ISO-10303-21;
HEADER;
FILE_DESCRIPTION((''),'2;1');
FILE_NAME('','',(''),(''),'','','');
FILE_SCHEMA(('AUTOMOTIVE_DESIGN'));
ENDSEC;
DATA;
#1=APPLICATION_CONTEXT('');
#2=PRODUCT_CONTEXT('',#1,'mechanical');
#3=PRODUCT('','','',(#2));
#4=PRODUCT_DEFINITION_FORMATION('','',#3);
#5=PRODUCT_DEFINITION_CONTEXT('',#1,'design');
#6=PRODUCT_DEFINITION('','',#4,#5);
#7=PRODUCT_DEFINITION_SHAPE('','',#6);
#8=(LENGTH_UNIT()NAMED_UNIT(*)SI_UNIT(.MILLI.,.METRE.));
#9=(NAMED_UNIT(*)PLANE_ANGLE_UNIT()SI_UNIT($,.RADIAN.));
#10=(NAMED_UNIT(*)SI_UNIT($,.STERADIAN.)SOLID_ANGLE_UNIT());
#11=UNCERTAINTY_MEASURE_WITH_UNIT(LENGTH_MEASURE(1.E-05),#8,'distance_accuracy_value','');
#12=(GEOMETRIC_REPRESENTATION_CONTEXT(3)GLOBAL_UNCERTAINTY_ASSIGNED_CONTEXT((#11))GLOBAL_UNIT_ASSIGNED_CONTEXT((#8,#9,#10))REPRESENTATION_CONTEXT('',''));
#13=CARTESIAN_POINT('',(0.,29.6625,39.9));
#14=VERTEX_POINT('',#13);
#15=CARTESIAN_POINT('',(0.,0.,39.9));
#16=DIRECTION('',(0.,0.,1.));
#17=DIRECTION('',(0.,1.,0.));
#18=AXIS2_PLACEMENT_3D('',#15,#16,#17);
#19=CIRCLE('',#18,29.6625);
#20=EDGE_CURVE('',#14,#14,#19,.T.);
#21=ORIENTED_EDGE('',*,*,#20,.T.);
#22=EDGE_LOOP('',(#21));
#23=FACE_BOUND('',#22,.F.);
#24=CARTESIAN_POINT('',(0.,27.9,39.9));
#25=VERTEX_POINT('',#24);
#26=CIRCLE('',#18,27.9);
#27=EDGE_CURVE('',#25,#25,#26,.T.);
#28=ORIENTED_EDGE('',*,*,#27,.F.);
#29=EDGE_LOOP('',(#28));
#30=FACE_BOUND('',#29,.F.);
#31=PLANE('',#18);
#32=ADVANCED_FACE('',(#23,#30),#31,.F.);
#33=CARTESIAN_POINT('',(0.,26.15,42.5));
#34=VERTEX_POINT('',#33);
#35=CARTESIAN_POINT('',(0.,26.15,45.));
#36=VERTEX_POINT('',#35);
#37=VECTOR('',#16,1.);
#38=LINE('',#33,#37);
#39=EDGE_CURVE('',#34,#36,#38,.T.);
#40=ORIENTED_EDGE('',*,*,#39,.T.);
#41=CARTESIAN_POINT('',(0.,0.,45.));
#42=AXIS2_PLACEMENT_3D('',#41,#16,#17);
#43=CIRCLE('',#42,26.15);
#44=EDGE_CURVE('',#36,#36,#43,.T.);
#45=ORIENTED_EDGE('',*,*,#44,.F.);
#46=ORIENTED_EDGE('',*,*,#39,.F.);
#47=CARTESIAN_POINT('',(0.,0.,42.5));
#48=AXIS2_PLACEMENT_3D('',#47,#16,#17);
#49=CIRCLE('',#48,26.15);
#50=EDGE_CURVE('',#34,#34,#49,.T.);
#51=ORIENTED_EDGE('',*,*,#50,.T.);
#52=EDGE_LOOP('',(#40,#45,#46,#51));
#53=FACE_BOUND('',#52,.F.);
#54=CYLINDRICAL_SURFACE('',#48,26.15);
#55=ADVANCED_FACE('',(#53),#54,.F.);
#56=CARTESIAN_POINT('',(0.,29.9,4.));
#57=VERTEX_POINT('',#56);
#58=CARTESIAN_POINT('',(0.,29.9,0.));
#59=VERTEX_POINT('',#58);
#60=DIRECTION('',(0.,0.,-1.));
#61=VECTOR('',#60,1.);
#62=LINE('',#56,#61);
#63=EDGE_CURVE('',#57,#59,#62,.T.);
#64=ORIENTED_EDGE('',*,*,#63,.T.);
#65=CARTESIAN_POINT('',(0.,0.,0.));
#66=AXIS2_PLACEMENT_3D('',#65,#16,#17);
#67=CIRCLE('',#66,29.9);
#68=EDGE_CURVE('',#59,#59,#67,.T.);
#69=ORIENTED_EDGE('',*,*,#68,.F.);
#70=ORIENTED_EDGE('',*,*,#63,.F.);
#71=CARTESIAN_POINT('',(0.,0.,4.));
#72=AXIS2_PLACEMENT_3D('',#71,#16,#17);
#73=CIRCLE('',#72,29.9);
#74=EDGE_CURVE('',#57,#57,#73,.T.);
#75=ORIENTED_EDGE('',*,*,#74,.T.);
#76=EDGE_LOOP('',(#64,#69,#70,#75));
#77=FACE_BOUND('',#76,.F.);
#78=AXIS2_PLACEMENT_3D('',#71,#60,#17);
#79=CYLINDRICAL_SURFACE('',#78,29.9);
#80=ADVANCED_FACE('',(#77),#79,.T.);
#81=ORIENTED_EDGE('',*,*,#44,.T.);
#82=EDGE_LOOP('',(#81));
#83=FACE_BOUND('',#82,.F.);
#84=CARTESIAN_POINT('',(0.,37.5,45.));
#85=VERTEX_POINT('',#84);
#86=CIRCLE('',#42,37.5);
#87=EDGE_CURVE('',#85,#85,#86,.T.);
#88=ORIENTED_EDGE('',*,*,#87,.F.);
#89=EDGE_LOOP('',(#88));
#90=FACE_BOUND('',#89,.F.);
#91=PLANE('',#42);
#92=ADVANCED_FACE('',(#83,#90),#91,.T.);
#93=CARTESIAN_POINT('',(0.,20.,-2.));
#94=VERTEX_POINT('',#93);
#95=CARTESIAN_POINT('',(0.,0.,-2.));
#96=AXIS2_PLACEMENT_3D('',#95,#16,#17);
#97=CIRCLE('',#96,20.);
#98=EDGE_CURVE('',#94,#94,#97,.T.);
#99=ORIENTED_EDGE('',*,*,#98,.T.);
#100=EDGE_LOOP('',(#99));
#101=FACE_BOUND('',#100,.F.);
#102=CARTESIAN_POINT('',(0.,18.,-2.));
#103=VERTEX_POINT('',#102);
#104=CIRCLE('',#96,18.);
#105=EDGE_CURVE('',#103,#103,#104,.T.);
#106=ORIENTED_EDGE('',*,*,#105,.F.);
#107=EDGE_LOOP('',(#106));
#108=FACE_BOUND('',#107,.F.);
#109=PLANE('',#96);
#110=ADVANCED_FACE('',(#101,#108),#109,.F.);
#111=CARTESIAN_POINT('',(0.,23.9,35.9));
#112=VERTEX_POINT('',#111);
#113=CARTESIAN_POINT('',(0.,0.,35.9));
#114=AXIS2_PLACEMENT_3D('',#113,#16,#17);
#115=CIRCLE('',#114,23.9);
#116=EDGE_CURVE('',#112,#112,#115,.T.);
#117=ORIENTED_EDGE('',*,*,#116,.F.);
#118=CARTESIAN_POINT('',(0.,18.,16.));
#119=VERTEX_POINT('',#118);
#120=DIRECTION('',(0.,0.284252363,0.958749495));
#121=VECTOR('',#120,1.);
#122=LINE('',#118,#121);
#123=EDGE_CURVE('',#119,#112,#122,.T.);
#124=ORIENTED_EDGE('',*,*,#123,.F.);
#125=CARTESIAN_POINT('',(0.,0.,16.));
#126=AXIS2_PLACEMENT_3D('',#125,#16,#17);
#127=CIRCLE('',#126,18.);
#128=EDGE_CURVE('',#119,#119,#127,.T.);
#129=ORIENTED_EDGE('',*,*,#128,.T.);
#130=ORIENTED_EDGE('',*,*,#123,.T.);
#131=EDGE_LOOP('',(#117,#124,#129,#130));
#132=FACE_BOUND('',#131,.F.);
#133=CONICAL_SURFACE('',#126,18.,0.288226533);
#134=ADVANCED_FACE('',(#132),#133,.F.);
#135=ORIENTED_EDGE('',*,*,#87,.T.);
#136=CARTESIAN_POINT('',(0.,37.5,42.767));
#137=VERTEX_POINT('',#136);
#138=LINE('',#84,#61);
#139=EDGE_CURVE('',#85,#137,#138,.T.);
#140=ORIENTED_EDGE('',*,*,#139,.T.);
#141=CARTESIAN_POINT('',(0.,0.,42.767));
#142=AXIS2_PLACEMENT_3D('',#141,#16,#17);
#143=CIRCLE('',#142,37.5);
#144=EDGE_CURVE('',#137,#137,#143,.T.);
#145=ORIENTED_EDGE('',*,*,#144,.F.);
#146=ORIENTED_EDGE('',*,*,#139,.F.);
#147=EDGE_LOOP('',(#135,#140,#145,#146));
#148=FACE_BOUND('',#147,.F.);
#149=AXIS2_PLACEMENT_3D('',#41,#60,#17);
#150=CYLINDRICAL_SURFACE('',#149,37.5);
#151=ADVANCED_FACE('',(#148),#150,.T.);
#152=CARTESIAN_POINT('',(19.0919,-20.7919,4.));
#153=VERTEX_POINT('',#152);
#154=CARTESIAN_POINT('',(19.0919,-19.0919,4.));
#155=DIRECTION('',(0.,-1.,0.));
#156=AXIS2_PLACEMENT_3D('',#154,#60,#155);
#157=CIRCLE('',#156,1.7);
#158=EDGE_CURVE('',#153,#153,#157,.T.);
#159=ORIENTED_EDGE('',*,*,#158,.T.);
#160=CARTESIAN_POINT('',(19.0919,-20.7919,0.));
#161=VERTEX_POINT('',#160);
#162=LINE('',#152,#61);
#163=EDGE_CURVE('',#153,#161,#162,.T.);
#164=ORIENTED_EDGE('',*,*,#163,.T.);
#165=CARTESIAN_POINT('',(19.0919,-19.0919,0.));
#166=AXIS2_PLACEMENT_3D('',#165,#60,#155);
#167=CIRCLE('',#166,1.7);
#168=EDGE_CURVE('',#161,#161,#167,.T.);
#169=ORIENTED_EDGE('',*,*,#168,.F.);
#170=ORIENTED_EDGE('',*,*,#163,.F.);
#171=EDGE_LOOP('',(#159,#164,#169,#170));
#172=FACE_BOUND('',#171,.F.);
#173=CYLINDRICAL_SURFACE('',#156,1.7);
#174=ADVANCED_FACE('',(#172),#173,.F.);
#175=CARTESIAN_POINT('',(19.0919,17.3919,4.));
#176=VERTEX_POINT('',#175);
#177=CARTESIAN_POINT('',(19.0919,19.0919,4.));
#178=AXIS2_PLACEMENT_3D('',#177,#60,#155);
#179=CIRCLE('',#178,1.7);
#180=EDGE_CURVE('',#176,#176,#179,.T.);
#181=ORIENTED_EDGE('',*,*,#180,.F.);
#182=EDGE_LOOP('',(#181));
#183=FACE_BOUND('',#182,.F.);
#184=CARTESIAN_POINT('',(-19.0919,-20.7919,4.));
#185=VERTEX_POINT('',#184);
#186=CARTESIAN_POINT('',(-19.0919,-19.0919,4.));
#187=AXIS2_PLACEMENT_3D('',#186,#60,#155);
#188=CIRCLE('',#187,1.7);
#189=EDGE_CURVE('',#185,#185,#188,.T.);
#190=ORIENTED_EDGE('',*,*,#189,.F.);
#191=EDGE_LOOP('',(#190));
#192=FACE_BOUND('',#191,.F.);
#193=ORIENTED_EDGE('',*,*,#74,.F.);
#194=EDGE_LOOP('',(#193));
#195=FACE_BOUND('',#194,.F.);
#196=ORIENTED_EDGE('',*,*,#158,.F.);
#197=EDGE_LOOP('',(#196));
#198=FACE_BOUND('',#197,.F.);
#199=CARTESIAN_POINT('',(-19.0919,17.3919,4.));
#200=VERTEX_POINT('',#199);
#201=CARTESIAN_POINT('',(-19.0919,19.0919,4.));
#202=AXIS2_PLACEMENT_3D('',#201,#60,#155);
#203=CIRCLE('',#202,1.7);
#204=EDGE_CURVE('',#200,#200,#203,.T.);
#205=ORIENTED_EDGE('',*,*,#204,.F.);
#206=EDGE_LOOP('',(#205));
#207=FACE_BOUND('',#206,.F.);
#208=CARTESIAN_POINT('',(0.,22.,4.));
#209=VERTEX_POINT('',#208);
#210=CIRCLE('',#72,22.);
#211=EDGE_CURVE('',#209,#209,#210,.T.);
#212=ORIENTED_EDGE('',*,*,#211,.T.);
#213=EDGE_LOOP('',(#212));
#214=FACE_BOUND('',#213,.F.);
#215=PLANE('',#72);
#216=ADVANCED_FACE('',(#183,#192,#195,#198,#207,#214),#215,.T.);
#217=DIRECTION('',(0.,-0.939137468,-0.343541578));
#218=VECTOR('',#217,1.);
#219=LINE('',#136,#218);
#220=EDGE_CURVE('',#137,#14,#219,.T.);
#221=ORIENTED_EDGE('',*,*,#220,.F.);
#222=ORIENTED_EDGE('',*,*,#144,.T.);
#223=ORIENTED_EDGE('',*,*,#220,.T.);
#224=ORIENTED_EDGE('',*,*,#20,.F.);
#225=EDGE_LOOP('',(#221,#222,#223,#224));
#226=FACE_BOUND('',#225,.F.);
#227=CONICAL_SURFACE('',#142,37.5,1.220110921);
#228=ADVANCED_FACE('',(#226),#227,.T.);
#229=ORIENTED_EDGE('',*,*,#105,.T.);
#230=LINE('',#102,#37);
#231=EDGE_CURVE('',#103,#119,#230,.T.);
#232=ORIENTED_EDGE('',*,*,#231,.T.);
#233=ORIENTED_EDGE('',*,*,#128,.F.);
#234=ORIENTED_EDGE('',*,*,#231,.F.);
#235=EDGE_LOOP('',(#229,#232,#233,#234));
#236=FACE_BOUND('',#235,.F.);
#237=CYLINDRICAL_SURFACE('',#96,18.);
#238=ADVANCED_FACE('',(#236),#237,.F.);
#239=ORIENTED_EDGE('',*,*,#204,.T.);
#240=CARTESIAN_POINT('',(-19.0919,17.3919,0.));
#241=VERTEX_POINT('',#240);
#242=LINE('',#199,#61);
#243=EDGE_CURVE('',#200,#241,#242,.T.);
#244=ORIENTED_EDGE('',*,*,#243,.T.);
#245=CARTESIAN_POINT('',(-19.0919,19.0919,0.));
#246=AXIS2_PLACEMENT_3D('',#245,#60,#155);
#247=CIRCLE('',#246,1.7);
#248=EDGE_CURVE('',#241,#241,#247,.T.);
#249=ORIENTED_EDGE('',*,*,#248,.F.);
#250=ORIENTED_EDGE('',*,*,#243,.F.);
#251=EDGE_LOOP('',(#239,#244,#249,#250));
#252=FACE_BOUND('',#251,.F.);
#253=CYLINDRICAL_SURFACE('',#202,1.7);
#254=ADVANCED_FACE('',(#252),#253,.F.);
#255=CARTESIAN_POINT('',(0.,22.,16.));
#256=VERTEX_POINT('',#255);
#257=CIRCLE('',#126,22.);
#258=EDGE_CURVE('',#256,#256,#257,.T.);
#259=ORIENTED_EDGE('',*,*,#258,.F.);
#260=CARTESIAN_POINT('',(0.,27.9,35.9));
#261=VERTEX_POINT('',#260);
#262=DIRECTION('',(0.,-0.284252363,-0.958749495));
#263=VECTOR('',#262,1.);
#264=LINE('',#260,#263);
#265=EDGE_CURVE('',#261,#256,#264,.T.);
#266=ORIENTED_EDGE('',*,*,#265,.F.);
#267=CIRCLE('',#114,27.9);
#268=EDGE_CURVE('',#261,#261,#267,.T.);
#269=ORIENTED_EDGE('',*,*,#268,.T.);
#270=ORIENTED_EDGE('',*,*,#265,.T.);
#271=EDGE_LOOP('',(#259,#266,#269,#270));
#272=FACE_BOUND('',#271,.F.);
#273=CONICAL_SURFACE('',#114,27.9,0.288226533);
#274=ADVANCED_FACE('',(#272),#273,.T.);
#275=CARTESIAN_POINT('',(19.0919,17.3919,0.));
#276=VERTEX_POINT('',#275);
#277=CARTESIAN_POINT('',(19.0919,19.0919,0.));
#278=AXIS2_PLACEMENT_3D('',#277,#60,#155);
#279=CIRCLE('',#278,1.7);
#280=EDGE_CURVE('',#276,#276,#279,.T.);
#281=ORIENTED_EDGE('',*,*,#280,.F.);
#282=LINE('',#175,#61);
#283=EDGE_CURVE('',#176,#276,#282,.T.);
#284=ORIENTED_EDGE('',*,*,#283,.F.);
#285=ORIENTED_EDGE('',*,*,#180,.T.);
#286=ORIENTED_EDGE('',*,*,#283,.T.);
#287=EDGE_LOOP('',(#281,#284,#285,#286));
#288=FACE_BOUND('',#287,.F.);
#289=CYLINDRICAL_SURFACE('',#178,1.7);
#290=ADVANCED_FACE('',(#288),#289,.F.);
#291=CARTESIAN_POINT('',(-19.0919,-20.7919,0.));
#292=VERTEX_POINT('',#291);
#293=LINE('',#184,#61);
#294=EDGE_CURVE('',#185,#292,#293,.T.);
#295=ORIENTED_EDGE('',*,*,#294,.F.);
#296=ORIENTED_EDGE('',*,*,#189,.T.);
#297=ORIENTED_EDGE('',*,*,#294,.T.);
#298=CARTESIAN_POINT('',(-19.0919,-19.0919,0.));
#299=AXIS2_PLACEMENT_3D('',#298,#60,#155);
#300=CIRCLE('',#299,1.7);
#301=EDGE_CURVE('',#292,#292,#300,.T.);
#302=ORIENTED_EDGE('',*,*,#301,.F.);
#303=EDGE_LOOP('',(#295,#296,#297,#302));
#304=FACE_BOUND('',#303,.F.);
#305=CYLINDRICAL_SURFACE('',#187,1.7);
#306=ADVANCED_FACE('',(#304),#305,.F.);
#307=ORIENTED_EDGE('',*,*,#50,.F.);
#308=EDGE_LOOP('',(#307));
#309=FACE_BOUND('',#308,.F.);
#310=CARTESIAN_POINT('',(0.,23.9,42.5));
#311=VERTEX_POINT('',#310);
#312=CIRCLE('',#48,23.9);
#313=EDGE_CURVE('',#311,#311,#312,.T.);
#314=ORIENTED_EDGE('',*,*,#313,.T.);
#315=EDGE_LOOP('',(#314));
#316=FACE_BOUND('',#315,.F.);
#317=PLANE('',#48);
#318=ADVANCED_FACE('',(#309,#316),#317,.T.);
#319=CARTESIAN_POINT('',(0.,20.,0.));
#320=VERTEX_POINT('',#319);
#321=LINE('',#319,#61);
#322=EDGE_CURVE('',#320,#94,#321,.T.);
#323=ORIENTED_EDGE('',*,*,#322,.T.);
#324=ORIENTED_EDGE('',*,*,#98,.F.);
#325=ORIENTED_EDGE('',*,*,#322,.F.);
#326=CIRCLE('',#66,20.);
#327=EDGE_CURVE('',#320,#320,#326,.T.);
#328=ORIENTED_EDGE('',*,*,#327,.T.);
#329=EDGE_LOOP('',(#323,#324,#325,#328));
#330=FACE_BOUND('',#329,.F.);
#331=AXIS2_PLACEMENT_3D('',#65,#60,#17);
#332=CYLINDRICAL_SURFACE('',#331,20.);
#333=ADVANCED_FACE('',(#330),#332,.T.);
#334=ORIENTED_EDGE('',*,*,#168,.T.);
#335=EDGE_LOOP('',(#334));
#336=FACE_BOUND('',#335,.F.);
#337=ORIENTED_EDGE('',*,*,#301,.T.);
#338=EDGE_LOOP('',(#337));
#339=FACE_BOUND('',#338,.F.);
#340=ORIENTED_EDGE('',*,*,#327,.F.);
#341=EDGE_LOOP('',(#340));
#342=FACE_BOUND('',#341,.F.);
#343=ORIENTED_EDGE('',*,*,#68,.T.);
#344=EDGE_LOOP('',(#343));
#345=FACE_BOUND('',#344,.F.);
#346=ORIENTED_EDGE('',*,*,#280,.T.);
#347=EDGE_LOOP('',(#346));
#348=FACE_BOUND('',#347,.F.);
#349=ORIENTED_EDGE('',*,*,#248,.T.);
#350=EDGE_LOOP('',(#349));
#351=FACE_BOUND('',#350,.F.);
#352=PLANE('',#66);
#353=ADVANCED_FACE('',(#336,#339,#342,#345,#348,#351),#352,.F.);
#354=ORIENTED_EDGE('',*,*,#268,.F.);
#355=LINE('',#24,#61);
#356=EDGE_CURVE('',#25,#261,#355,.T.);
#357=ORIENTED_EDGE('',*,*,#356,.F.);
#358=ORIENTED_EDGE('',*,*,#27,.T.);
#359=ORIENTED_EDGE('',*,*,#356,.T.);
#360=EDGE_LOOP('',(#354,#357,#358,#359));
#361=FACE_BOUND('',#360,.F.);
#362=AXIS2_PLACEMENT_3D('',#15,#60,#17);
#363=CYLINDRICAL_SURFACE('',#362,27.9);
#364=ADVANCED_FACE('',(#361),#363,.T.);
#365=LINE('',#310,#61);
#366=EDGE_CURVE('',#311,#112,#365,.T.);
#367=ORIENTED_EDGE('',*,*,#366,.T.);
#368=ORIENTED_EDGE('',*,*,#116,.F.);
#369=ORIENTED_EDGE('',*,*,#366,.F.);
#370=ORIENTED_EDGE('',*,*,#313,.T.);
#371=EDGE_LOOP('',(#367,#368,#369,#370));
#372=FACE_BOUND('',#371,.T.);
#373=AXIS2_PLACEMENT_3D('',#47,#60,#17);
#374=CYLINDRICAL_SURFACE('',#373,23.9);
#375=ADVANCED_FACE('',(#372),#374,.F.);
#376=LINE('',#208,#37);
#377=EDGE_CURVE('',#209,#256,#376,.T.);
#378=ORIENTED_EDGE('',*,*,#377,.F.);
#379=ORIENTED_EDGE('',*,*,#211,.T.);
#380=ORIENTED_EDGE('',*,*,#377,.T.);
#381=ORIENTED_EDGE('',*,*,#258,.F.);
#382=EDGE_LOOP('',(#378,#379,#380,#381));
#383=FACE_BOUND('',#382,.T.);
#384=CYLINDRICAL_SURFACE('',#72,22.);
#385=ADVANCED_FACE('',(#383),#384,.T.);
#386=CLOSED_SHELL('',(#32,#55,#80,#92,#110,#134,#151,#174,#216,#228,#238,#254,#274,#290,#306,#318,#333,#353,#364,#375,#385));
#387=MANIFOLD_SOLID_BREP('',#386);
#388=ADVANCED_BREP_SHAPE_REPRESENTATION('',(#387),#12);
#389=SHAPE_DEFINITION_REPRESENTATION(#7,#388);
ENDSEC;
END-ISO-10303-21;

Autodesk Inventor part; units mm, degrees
ref_plane "YZ Plane" through (0, 0, 0) normal (1, 0, 0) x (0, 1, 0)
ref_plane "XZ Plane" through (0, 0, 0) normal (0, 1, 0) x (-1, 0, 0)
ref_plane "XY Plane" through (0, 0, 0) normal (0, 0, 1) x (1, 0, 0)
sketch "Sketch1" plane through (0, 0, 0) normal (1, 0, 0) x (0, 1, 0)
  line L0 (0, 0) -> (0, 55.5774) construction
  line L1 (18, -2) -> (18, 16)
  line L2 (23.9, 42.5) -> (26.15, 42.5)
  line L3 (26.15, 42.5) -> (26.15, 45)
  line L4 (26.15, 45) -> (37.5, 45)
  line L5 (37.5, 45) -> (37.5, 42.767)
  line L6 (37.5, 42.767) -> (29.6625, 39.9)
  line L7 (27.9, 35.9) -> (22, 16)
  line L8 (22, 4) -> (29.9, 4)
  line L9 (29.9, 4) -> (29.9, 0)
  line L10 (29.9, 0) -> (20, 0)
  line L11 (20, 0) -> (20, -2)
  line L12 (20, -2) -> (18, -2)
  line L13 (22, 4) -> (22, 16)
  line L14 (29.6625, 39.9) -> (27.9, 39.9)
  line L15 (27.9, 39.9) -> (27.9, 35.9)
  line L16 (23.9, 42.5) -> (23.9, 35.9)
  line L17 (18, 16) -> (23.9, 35.9)
  dimension "d0" = 40
  dimension "d1" = 2
  dimension "d2" = 2
  dimension "d4" = 59.8
  dimension "d5" = 4
  dimension "d7" = 12
  dimension "d8" = 4
  dimension "d9" = 75
  dimension "d10" = 2.233
  dimension "d11" = 52.3
  dimension "d12" = 47.8
  dimension "d13" = 59.325
  dimension "d14" = 5.1
  dimension "d15" = 2.5
  dimension "d16" = 4
  dimension "d17" = 45
revolve "Revolution1" add sketch "Sketch1" angle 360 about axis through (0, 0, 0) along (0, 0, 1)
sketch "Sketch2" plane through (0, 0, 4) normal (0, 0, 1) x (1, 0, 0)
  line L0 (-19.0919, 19.0919) -> (19.0919, 19.0919)
  line L1 (19.0919, 19.0919) -> (19.0919, -19.0919)
  line L2 (19.0919, -19.0919) -> (-19.0919, -19.0919)
  line L3 (-19.0919, -19.0919) -> (-19.0919, 19.0919)
  line L4 (-19.0919, 19.0919) -> (19.0919, -19.0919) construction
  line L5 (19.0919, 19.0919) -> (-19.0919, -19.0919) construction
  point P0 (0, 0)
  dimension "d19" = 54
hole "Hole1" at (-19.0919, 19.0919, 4) at (19.0919, 19.0919, 4) at (-19.0919, -19.0919, 4) at (19.0919, -19.0919, 4) direction (0, 0, -1) diameter 3.4 end through all clearance for "Countersunk Flat Head Screw DIN EN ISO 2009" size "M3" standard "DIN"
properties part number "014" material "Aluminum 6061"
